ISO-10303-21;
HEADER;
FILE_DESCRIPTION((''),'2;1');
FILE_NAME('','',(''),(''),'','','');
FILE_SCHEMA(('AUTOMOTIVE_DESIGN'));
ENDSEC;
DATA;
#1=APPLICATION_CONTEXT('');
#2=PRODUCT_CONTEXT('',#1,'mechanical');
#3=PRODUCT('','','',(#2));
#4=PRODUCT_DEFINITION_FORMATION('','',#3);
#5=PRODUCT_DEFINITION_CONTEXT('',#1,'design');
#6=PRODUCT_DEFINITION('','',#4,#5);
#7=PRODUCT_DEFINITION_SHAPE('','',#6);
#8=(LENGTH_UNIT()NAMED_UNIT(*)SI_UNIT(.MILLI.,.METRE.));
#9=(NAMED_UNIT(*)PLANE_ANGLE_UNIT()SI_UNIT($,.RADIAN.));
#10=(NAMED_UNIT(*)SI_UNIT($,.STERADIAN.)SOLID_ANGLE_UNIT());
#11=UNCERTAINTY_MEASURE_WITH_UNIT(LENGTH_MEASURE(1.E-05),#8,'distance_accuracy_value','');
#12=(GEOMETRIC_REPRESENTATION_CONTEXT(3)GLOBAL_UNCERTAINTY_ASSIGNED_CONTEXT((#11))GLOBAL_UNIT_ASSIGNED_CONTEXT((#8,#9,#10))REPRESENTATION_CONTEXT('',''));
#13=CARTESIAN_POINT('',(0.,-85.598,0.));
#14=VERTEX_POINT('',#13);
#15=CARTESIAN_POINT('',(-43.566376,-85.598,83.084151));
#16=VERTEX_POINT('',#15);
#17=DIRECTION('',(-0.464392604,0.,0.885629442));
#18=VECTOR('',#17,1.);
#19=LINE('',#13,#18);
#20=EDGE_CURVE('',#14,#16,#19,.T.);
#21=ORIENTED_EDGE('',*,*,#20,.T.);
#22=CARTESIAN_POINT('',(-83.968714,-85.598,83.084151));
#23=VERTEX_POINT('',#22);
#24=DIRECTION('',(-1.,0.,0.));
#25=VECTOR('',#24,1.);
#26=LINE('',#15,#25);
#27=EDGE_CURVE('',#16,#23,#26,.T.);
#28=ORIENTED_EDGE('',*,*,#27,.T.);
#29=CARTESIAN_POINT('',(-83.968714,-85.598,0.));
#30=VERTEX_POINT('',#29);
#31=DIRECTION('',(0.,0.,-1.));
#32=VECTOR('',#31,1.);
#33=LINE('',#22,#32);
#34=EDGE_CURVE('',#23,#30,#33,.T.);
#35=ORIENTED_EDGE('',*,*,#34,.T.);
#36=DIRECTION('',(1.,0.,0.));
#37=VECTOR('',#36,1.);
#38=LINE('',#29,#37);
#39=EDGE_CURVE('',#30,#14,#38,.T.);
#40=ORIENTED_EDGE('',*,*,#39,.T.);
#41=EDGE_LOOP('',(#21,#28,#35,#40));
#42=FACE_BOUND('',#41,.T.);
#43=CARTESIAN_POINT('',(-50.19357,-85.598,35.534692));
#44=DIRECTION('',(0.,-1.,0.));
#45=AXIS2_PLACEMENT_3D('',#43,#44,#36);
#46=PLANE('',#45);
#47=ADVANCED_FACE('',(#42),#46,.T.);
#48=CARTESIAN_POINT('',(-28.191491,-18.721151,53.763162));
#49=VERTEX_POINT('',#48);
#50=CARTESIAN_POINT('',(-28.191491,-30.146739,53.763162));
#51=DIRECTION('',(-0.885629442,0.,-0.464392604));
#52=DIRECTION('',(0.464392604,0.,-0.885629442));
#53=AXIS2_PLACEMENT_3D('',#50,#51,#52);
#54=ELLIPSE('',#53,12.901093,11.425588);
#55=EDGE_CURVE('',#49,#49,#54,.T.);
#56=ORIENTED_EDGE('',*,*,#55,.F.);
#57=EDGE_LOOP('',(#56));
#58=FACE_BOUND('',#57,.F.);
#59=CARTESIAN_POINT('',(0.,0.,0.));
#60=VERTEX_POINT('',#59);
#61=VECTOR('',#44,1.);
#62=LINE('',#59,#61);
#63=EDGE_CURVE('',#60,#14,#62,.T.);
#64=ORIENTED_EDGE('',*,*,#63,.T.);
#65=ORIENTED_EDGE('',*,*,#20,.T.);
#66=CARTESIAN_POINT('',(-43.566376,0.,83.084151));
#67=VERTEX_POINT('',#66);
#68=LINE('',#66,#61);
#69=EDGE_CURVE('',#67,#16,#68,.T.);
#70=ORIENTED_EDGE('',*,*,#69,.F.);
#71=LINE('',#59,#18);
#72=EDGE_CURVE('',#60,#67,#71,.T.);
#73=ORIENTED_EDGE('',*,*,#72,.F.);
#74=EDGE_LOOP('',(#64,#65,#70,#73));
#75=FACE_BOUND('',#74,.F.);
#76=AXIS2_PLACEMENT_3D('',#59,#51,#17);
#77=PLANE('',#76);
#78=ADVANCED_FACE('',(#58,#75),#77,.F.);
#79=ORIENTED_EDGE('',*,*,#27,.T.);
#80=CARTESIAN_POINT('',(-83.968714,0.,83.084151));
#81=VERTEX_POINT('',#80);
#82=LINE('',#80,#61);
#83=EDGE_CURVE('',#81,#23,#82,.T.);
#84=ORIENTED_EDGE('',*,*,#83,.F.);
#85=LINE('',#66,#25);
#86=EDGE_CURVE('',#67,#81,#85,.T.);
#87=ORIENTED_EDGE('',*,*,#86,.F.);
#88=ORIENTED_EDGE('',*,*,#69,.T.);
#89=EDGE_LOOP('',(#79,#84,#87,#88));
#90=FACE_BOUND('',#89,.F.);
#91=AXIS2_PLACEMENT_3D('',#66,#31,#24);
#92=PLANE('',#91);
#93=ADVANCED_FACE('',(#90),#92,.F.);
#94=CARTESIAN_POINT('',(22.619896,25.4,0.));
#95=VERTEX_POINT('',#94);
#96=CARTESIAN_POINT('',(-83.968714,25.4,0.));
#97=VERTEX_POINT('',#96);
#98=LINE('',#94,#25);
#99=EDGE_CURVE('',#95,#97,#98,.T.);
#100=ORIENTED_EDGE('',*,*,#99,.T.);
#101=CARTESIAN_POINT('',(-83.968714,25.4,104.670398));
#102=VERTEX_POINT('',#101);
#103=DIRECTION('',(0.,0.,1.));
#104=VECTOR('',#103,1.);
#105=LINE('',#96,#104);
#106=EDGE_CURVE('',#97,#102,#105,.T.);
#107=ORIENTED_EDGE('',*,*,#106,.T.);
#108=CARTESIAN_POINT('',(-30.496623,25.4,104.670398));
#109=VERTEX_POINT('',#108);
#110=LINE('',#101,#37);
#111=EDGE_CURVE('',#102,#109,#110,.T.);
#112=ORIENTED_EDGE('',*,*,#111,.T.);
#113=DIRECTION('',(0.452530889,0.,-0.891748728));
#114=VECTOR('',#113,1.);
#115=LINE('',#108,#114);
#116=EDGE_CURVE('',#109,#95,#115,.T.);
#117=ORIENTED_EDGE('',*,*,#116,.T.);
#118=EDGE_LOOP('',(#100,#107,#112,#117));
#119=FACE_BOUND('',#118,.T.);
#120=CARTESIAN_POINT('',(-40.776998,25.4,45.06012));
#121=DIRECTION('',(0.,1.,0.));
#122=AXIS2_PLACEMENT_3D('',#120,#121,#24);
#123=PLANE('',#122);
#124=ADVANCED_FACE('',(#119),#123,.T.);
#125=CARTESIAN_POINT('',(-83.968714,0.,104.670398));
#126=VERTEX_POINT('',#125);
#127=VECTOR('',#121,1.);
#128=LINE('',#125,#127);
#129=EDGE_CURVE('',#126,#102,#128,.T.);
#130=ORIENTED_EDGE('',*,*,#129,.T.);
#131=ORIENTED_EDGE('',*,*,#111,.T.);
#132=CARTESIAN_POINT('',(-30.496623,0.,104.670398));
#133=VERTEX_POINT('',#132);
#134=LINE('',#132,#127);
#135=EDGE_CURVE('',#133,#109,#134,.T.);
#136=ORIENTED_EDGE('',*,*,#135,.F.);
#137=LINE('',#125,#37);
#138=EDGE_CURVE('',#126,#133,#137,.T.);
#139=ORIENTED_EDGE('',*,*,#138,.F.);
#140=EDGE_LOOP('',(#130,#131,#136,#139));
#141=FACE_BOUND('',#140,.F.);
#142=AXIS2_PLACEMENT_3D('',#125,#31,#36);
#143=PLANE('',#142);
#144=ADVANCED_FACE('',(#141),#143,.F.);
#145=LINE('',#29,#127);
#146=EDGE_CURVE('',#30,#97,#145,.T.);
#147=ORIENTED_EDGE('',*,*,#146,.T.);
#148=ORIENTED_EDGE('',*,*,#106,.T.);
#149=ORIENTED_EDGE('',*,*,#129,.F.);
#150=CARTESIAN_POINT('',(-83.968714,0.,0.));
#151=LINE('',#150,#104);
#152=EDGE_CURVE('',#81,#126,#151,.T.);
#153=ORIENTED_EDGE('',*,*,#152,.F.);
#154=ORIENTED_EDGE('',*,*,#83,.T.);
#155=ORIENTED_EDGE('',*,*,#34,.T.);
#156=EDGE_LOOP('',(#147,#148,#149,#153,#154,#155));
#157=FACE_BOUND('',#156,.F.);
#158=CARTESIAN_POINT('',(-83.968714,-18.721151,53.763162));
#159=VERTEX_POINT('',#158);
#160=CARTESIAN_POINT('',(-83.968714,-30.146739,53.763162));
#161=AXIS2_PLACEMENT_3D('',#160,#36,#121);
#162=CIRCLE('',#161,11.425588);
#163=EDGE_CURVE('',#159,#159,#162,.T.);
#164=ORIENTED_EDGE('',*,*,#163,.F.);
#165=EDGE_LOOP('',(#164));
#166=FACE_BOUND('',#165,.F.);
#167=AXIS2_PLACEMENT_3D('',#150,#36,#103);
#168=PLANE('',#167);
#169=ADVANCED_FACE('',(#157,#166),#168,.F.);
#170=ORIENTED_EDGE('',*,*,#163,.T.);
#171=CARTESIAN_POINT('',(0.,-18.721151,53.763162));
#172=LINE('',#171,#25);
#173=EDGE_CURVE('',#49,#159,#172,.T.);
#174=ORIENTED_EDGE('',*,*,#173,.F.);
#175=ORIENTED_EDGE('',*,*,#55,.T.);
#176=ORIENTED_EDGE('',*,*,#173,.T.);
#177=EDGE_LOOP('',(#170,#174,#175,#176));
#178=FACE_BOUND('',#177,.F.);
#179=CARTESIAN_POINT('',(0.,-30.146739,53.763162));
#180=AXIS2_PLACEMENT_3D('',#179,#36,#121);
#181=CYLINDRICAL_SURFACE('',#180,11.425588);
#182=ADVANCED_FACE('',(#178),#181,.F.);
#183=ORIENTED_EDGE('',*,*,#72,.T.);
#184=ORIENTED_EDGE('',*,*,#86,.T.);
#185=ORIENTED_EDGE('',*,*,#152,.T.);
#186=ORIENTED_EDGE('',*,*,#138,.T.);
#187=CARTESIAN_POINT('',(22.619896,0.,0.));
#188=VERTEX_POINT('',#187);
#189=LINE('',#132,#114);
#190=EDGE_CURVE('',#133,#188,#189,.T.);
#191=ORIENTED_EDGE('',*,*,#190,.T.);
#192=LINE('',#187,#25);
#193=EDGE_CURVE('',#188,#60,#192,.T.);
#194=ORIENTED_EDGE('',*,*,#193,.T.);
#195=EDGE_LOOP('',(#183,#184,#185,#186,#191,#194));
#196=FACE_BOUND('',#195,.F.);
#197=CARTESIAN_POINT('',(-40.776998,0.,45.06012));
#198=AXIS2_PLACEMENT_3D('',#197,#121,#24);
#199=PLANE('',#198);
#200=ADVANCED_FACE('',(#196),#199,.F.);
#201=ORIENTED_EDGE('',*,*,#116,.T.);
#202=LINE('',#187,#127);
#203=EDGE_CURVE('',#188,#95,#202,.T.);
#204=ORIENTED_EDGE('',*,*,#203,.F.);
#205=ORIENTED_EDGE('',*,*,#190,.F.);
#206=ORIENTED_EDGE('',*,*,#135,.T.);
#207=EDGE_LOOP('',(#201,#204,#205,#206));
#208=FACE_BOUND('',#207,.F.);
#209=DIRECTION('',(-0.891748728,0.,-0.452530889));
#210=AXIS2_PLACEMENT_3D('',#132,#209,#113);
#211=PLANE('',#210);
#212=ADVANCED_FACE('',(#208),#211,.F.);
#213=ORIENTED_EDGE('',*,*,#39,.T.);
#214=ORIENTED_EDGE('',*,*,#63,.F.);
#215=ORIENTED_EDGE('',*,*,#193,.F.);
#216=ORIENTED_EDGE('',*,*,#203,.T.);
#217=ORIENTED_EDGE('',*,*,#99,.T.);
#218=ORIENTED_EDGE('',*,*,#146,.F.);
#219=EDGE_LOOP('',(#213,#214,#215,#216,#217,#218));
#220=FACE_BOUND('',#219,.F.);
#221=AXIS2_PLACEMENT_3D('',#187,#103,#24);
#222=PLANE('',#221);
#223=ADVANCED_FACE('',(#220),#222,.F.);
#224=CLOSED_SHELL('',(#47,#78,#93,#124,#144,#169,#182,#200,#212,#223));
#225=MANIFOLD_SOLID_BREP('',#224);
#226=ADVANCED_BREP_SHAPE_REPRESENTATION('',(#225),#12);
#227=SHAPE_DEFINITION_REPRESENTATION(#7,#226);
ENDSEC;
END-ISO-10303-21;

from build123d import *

# Parameters (mm, degrees)
F1_DEPTH = 85.598
F3_DEPTH = 25.4
F4_R     = 11.425588
F5_DEPTH = 83.969714


with BuildPart() as f1:
    # F0 (on Front) → F1 (new body)
    with BuildSketch(Plane.XZ):
        Polygon((-83.968714, 0), (0, 0), (-43.566376, 83.084151), (-83.968714, 83.084151), align=None)
    extrude(amount=F1_DEPTH)

    # F2 (on face) → F3 (join)
    with BuildSketch(Plane(origin=(0, 0, 0), x_dir=(-1, 0, 0), z_dir=(0, 1, 0))):
        Polygon((-22.619896, 0), (83.968714, 0), (83.968714, 104.670398), (30.496623, 104.670398), align=None)
    extrude(amount=F3_DEPTH)

    # F4 (on Right) → F5 (cut, through all)
    with BuildSketch(Plane.YZ):
        with Locations((-30.146739, 53.763162)):
            Circle(F4_R)
    extrude(amount=-F5_DEPTH, mode=Mode.SUBTRACT)


solid = f1.part
